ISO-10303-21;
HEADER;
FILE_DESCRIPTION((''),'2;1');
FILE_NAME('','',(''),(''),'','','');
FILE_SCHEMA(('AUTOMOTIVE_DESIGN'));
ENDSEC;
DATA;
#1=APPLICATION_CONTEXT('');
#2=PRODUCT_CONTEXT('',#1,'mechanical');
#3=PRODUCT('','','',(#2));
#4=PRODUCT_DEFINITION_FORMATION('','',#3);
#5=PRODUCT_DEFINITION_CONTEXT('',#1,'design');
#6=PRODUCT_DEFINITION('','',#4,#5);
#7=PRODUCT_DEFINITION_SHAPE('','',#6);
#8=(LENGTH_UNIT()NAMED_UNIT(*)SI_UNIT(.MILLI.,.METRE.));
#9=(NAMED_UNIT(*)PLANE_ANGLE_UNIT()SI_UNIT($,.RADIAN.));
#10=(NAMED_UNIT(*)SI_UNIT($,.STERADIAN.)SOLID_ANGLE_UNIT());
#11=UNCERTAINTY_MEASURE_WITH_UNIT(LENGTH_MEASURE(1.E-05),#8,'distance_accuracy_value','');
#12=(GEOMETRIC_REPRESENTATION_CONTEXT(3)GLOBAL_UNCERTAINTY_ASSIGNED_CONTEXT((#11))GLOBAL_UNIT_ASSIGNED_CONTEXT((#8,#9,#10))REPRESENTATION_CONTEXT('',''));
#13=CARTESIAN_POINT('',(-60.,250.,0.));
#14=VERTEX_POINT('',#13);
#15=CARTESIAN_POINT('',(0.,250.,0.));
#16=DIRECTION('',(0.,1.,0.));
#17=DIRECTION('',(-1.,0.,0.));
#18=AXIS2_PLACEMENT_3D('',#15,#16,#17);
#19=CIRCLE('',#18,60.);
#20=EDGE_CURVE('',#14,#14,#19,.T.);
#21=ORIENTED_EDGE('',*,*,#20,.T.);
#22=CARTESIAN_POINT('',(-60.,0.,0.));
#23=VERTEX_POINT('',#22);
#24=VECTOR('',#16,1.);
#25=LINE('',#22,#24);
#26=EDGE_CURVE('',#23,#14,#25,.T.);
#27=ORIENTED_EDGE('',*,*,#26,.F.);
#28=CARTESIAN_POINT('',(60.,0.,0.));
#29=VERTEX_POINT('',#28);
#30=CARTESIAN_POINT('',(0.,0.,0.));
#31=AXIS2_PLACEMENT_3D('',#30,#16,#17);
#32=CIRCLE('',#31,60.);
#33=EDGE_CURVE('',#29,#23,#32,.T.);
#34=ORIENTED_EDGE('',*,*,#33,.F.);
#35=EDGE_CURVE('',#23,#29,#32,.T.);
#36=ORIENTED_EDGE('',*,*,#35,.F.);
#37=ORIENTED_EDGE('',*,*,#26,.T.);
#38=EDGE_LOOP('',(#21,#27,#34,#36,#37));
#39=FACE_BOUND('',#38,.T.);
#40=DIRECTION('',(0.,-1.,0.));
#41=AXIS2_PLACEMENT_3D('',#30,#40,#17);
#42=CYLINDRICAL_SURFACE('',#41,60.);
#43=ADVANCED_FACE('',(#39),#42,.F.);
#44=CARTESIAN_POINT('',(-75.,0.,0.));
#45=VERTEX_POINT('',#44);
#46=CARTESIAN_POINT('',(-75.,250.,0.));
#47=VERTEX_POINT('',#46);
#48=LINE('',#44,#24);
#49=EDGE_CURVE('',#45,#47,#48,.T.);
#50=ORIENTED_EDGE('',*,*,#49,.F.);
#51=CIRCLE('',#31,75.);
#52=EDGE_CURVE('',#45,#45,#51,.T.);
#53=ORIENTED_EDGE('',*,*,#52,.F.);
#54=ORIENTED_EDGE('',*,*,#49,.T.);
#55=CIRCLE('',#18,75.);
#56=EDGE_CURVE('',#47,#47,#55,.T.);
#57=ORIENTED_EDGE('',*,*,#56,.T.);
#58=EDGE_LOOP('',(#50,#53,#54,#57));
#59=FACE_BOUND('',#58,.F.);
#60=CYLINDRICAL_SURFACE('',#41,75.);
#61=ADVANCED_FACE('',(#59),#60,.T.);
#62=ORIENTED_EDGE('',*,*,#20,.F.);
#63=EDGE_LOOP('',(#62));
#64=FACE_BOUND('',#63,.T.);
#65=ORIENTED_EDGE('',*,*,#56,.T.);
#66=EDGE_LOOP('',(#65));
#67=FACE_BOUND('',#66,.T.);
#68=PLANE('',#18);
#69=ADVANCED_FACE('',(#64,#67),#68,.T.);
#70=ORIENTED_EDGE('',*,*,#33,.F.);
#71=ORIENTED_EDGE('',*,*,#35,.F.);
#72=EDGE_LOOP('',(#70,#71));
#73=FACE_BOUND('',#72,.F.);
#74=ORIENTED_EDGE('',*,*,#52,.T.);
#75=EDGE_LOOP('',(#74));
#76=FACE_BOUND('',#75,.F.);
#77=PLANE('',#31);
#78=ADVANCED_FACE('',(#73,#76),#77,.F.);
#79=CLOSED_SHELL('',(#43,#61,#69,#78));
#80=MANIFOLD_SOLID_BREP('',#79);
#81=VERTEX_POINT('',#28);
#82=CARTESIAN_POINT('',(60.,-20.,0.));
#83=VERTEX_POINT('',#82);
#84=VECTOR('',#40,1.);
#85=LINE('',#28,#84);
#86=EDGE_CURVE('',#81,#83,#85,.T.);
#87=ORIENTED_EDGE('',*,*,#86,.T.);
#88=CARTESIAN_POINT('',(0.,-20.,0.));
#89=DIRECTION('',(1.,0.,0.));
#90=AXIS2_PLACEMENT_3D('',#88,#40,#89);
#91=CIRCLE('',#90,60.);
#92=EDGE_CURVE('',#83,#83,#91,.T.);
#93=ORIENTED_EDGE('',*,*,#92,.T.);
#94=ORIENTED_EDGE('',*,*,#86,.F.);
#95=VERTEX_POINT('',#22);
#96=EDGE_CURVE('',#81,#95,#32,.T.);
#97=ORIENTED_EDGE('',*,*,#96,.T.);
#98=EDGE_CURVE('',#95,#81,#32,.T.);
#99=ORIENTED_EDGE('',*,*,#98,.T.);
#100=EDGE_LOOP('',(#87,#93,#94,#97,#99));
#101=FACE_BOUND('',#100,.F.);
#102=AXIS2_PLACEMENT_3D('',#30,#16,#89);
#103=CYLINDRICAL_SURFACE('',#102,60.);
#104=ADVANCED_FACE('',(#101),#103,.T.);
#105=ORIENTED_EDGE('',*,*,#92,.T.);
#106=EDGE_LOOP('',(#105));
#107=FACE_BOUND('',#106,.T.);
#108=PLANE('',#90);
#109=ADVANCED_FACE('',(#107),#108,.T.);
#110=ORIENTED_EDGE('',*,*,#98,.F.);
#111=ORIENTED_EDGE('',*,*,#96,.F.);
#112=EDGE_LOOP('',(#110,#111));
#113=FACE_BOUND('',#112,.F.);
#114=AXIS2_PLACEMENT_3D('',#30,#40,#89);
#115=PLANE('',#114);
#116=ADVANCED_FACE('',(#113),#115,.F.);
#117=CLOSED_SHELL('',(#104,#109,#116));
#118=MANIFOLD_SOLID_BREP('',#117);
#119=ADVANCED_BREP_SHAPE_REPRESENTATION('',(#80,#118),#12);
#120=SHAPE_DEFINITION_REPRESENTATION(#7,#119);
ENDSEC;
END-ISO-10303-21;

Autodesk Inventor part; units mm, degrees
ref_plane "YZ Plane" through (0, 0, 0) normal (1, 0, 0) x (0, 1, 0)
ref_plane "XZ Plane" through (0, 0, 0) normal (0, 1, 0) x (-1, 0, 0)
ref_plane "XY Plane" through (0, 0, 0) normal (0, 0, 1) x (1, 0, 0)
sketch "Sketch1" plane through (0, 0, 0) normal (0, 1, 0) x (-1, 0, 0)
  circle A0 centre (0, 0) radius 75
  circle A1 centre (0, 0) radius 60
  dimension "d0" = 150
  dimension "d1" = 120
extrude "Extrusion1" add sketch "Sketch1" along normal blind 250
sketch "Sketch3" plane through (0, 0, 0) normal (0, -1, 0) x (1, 0, 0)
  circle A0 centre (0, 0) radius 60
extrude "Extrusion2" add sketch "Sketch3" along normal blind 20
properties part number "Stand1" material "Stainless Steel, Austenitic"
